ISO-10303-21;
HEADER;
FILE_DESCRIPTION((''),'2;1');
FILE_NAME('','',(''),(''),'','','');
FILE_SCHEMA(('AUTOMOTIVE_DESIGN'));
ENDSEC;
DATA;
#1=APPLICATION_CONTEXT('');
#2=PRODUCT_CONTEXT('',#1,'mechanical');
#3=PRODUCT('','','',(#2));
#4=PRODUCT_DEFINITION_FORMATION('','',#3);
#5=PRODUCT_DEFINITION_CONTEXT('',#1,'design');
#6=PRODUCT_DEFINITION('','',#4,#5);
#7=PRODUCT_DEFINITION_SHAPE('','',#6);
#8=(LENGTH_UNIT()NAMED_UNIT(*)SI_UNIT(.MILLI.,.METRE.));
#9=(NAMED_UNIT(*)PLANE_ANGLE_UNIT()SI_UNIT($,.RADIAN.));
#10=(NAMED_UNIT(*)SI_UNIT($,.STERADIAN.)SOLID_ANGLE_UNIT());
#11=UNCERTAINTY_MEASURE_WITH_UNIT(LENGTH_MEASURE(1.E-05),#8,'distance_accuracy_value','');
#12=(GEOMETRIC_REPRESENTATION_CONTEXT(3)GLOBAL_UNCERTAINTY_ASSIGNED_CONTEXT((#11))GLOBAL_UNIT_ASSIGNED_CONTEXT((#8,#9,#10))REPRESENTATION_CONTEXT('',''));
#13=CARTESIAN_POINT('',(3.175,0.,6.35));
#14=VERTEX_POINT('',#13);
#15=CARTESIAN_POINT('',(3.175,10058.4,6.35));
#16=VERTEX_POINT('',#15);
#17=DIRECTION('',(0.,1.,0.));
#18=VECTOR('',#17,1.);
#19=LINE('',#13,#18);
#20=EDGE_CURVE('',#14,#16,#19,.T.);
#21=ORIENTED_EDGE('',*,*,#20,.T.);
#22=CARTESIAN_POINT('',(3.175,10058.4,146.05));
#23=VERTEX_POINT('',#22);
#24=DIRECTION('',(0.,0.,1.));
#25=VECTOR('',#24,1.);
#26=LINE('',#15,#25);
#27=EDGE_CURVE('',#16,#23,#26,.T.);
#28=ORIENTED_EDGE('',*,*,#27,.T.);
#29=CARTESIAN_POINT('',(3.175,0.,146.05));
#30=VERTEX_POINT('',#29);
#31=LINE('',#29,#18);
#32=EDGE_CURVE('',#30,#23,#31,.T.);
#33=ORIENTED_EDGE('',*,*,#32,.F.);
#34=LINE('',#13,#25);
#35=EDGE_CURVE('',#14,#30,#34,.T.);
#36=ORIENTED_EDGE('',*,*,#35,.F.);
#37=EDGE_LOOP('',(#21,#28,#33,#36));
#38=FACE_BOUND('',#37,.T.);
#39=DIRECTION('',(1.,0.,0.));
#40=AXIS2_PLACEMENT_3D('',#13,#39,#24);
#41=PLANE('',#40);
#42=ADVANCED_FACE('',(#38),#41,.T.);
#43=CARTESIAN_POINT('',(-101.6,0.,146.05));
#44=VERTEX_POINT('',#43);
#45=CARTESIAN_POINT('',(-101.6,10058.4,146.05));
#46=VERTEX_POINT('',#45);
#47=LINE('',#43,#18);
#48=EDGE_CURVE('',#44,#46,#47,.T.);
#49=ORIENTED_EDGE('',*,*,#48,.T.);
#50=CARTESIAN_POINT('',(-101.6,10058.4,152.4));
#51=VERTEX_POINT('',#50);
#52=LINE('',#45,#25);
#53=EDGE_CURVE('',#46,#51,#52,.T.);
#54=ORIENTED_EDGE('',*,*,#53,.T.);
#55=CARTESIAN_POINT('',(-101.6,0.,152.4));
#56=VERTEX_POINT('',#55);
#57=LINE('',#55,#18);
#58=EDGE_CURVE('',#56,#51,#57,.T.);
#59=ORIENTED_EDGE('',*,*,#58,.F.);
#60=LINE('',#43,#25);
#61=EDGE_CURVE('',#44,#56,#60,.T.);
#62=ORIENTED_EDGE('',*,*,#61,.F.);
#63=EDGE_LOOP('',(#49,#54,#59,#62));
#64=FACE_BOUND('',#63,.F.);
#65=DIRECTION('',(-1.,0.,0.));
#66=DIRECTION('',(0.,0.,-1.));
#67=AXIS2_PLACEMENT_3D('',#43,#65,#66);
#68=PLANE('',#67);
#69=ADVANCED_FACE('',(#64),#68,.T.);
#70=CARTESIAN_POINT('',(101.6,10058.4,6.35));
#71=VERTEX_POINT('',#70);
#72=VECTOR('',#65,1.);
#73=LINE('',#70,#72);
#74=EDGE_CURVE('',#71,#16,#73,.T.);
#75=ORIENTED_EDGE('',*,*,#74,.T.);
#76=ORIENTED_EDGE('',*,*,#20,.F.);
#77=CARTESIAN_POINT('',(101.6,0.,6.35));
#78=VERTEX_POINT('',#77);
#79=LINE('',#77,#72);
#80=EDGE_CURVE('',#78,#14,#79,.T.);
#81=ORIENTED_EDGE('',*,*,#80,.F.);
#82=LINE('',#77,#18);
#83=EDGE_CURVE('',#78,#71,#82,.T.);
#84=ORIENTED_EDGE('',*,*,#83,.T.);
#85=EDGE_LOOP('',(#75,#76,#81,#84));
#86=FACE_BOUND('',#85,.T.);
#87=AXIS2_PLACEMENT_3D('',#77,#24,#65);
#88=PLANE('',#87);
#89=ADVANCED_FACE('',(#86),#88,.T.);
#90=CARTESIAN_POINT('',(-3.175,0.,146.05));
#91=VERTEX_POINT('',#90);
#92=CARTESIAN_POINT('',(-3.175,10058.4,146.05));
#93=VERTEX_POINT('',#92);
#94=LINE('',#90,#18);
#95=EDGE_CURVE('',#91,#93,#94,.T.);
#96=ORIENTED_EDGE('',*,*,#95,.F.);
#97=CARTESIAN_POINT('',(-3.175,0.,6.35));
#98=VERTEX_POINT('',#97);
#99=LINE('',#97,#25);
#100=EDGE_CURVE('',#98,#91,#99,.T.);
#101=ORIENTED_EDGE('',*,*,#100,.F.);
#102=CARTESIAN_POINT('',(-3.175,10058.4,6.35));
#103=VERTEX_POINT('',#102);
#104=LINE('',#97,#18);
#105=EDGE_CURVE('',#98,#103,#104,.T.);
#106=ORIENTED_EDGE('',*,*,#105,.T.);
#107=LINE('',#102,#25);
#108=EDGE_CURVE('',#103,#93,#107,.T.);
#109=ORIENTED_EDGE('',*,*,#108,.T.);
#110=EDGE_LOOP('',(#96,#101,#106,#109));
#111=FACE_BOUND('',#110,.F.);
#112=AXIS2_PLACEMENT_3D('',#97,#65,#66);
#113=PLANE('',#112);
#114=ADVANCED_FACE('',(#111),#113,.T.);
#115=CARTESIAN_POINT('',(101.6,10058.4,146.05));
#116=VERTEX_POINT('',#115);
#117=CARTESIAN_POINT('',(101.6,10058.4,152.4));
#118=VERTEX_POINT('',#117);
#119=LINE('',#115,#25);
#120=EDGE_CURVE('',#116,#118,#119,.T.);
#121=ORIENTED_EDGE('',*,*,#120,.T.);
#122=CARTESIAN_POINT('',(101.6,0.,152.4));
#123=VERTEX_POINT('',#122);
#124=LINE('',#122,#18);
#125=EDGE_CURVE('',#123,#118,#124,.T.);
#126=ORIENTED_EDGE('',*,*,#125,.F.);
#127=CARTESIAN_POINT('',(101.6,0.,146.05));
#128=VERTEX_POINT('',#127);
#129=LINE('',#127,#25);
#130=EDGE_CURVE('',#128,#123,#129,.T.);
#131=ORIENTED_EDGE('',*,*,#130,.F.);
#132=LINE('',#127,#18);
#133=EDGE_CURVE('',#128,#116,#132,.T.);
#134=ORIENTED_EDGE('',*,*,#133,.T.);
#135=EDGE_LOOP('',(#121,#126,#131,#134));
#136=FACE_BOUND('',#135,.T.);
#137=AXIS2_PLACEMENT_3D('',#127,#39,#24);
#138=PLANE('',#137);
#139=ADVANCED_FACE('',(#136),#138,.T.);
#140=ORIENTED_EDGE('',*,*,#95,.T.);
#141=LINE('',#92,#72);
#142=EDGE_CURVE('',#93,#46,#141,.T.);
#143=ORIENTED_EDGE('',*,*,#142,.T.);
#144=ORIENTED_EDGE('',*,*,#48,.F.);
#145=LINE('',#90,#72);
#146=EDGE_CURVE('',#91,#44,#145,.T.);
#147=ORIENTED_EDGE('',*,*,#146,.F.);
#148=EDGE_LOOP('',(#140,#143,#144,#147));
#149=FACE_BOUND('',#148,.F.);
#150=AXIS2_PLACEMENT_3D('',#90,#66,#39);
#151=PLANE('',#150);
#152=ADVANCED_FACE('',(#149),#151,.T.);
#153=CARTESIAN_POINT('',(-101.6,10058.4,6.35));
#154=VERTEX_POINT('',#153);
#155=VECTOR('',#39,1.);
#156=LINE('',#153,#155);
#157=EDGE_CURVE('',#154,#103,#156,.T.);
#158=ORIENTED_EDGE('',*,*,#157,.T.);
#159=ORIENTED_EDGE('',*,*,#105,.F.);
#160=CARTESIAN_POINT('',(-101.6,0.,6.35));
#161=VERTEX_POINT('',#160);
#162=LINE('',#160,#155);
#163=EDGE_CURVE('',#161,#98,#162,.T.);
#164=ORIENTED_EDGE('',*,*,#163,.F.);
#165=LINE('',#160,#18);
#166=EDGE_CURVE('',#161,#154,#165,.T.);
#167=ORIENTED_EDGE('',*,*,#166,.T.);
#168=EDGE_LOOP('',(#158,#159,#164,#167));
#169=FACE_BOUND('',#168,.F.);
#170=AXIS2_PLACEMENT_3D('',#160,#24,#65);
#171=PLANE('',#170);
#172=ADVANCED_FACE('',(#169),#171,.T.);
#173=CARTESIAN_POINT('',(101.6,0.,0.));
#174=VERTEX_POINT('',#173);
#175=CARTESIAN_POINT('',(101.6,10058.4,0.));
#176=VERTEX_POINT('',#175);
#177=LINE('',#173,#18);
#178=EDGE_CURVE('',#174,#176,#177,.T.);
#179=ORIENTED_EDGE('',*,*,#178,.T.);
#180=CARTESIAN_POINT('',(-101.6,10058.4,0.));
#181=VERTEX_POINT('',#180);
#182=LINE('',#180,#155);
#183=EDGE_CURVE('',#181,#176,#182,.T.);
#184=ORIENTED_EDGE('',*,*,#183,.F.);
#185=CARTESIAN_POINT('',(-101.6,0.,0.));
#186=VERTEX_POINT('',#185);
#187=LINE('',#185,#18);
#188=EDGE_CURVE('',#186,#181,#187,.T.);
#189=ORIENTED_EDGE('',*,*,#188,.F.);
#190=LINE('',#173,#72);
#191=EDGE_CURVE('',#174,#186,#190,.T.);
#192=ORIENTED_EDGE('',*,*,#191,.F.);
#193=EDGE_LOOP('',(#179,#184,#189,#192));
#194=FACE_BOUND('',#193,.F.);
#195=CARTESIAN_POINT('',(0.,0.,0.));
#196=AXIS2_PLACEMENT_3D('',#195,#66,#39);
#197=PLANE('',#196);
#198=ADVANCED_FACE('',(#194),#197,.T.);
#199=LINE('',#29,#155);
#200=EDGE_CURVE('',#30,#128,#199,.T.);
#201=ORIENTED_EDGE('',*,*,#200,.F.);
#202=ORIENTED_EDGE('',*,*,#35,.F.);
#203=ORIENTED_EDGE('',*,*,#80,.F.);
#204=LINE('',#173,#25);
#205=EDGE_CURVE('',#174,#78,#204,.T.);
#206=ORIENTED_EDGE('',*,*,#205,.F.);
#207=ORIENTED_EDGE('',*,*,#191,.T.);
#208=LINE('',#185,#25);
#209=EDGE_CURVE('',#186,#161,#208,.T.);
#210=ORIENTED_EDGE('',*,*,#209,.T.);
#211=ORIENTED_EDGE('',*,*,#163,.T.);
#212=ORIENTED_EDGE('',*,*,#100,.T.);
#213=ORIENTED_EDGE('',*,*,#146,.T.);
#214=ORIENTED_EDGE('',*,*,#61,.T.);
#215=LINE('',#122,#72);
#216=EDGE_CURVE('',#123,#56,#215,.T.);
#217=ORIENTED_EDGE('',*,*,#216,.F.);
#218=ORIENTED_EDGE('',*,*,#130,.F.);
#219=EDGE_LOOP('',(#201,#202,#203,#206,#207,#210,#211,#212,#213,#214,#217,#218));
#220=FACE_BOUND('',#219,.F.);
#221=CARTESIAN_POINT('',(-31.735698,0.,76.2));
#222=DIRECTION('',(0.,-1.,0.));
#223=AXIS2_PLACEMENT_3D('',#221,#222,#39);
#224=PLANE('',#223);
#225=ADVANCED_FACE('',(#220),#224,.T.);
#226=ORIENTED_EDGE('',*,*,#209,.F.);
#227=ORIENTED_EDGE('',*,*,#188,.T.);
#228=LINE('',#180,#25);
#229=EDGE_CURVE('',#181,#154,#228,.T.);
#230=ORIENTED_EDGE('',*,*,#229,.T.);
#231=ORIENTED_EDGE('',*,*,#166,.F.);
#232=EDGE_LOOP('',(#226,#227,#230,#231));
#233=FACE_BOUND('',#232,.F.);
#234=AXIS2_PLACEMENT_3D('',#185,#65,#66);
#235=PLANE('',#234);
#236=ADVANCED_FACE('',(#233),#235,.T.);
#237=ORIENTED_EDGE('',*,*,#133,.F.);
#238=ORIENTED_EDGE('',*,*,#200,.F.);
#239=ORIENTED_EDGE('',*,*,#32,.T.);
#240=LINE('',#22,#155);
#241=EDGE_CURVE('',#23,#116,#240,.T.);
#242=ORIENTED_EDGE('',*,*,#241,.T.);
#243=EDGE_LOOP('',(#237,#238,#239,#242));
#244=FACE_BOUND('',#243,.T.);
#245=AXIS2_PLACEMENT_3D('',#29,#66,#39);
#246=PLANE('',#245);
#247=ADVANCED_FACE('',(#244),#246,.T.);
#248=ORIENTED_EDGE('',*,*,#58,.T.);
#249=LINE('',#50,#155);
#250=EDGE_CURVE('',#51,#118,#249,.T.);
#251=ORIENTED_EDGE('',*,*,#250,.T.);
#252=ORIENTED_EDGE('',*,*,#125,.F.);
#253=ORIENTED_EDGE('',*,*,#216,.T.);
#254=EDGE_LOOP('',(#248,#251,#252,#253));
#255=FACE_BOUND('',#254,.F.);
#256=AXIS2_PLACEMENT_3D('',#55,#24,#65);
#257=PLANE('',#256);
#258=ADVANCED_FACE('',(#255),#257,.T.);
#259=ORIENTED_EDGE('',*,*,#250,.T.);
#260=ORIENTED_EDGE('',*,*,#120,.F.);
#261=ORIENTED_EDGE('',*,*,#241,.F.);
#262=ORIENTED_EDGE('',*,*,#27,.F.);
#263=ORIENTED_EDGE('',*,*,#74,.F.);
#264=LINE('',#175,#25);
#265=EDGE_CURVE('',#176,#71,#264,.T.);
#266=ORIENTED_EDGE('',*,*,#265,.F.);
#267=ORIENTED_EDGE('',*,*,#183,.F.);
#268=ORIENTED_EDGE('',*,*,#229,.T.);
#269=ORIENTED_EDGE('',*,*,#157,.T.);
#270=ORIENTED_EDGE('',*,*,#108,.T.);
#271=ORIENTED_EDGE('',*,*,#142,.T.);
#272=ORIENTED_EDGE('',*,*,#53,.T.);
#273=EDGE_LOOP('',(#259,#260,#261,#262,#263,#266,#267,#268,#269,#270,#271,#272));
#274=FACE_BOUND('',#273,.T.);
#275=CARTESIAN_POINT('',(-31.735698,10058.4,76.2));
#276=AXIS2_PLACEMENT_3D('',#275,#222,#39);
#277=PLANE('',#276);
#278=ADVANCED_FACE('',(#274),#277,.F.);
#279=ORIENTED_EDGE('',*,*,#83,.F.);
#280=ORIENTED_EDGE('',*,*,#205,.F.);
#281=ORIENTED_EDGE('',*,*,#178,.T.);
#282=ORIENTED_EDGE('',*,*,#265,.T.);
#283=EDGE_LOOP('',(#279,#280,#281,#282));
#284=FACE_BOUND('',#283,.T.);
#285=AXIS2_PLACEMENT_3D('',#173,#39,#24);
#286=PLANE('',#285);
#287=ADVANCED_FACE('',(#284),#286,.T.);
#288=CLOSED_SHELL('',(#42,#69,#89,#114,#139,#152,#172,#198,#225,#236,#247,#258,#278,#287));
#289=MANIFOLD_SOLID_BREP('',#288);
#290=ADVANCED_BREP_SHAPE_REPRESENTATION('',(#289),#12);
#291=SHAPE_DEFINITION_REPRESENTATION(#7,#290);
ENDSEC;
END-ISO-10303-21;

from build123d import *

# Parameters (mm, degrees)
F1_DEPTH = 10058.4


with BuildPart() as f1:
    # F0 (on Front) → F1 (new body)
    with BuildSketch(Plane.XZ):
        Polygon((0, 152.4), (0, 0), (101.6, 0), (101.6, 6.35), (3.175, 6.35), (3.175, 146.05), (101.6, 146.05), (101.6, 152.4), align=None)
    extrude(amount=-F1_DEPTH)

    # F2: F1 across face


with BuildPart() as f1_1:
    add(f1.part)
    add(f1.part.mirror(Plane(origin=(0, 5029.2, 76.2), x_dir=(0, -1, 0), z_dir=(-1, 0, 0))))


solid = f1_1.part
